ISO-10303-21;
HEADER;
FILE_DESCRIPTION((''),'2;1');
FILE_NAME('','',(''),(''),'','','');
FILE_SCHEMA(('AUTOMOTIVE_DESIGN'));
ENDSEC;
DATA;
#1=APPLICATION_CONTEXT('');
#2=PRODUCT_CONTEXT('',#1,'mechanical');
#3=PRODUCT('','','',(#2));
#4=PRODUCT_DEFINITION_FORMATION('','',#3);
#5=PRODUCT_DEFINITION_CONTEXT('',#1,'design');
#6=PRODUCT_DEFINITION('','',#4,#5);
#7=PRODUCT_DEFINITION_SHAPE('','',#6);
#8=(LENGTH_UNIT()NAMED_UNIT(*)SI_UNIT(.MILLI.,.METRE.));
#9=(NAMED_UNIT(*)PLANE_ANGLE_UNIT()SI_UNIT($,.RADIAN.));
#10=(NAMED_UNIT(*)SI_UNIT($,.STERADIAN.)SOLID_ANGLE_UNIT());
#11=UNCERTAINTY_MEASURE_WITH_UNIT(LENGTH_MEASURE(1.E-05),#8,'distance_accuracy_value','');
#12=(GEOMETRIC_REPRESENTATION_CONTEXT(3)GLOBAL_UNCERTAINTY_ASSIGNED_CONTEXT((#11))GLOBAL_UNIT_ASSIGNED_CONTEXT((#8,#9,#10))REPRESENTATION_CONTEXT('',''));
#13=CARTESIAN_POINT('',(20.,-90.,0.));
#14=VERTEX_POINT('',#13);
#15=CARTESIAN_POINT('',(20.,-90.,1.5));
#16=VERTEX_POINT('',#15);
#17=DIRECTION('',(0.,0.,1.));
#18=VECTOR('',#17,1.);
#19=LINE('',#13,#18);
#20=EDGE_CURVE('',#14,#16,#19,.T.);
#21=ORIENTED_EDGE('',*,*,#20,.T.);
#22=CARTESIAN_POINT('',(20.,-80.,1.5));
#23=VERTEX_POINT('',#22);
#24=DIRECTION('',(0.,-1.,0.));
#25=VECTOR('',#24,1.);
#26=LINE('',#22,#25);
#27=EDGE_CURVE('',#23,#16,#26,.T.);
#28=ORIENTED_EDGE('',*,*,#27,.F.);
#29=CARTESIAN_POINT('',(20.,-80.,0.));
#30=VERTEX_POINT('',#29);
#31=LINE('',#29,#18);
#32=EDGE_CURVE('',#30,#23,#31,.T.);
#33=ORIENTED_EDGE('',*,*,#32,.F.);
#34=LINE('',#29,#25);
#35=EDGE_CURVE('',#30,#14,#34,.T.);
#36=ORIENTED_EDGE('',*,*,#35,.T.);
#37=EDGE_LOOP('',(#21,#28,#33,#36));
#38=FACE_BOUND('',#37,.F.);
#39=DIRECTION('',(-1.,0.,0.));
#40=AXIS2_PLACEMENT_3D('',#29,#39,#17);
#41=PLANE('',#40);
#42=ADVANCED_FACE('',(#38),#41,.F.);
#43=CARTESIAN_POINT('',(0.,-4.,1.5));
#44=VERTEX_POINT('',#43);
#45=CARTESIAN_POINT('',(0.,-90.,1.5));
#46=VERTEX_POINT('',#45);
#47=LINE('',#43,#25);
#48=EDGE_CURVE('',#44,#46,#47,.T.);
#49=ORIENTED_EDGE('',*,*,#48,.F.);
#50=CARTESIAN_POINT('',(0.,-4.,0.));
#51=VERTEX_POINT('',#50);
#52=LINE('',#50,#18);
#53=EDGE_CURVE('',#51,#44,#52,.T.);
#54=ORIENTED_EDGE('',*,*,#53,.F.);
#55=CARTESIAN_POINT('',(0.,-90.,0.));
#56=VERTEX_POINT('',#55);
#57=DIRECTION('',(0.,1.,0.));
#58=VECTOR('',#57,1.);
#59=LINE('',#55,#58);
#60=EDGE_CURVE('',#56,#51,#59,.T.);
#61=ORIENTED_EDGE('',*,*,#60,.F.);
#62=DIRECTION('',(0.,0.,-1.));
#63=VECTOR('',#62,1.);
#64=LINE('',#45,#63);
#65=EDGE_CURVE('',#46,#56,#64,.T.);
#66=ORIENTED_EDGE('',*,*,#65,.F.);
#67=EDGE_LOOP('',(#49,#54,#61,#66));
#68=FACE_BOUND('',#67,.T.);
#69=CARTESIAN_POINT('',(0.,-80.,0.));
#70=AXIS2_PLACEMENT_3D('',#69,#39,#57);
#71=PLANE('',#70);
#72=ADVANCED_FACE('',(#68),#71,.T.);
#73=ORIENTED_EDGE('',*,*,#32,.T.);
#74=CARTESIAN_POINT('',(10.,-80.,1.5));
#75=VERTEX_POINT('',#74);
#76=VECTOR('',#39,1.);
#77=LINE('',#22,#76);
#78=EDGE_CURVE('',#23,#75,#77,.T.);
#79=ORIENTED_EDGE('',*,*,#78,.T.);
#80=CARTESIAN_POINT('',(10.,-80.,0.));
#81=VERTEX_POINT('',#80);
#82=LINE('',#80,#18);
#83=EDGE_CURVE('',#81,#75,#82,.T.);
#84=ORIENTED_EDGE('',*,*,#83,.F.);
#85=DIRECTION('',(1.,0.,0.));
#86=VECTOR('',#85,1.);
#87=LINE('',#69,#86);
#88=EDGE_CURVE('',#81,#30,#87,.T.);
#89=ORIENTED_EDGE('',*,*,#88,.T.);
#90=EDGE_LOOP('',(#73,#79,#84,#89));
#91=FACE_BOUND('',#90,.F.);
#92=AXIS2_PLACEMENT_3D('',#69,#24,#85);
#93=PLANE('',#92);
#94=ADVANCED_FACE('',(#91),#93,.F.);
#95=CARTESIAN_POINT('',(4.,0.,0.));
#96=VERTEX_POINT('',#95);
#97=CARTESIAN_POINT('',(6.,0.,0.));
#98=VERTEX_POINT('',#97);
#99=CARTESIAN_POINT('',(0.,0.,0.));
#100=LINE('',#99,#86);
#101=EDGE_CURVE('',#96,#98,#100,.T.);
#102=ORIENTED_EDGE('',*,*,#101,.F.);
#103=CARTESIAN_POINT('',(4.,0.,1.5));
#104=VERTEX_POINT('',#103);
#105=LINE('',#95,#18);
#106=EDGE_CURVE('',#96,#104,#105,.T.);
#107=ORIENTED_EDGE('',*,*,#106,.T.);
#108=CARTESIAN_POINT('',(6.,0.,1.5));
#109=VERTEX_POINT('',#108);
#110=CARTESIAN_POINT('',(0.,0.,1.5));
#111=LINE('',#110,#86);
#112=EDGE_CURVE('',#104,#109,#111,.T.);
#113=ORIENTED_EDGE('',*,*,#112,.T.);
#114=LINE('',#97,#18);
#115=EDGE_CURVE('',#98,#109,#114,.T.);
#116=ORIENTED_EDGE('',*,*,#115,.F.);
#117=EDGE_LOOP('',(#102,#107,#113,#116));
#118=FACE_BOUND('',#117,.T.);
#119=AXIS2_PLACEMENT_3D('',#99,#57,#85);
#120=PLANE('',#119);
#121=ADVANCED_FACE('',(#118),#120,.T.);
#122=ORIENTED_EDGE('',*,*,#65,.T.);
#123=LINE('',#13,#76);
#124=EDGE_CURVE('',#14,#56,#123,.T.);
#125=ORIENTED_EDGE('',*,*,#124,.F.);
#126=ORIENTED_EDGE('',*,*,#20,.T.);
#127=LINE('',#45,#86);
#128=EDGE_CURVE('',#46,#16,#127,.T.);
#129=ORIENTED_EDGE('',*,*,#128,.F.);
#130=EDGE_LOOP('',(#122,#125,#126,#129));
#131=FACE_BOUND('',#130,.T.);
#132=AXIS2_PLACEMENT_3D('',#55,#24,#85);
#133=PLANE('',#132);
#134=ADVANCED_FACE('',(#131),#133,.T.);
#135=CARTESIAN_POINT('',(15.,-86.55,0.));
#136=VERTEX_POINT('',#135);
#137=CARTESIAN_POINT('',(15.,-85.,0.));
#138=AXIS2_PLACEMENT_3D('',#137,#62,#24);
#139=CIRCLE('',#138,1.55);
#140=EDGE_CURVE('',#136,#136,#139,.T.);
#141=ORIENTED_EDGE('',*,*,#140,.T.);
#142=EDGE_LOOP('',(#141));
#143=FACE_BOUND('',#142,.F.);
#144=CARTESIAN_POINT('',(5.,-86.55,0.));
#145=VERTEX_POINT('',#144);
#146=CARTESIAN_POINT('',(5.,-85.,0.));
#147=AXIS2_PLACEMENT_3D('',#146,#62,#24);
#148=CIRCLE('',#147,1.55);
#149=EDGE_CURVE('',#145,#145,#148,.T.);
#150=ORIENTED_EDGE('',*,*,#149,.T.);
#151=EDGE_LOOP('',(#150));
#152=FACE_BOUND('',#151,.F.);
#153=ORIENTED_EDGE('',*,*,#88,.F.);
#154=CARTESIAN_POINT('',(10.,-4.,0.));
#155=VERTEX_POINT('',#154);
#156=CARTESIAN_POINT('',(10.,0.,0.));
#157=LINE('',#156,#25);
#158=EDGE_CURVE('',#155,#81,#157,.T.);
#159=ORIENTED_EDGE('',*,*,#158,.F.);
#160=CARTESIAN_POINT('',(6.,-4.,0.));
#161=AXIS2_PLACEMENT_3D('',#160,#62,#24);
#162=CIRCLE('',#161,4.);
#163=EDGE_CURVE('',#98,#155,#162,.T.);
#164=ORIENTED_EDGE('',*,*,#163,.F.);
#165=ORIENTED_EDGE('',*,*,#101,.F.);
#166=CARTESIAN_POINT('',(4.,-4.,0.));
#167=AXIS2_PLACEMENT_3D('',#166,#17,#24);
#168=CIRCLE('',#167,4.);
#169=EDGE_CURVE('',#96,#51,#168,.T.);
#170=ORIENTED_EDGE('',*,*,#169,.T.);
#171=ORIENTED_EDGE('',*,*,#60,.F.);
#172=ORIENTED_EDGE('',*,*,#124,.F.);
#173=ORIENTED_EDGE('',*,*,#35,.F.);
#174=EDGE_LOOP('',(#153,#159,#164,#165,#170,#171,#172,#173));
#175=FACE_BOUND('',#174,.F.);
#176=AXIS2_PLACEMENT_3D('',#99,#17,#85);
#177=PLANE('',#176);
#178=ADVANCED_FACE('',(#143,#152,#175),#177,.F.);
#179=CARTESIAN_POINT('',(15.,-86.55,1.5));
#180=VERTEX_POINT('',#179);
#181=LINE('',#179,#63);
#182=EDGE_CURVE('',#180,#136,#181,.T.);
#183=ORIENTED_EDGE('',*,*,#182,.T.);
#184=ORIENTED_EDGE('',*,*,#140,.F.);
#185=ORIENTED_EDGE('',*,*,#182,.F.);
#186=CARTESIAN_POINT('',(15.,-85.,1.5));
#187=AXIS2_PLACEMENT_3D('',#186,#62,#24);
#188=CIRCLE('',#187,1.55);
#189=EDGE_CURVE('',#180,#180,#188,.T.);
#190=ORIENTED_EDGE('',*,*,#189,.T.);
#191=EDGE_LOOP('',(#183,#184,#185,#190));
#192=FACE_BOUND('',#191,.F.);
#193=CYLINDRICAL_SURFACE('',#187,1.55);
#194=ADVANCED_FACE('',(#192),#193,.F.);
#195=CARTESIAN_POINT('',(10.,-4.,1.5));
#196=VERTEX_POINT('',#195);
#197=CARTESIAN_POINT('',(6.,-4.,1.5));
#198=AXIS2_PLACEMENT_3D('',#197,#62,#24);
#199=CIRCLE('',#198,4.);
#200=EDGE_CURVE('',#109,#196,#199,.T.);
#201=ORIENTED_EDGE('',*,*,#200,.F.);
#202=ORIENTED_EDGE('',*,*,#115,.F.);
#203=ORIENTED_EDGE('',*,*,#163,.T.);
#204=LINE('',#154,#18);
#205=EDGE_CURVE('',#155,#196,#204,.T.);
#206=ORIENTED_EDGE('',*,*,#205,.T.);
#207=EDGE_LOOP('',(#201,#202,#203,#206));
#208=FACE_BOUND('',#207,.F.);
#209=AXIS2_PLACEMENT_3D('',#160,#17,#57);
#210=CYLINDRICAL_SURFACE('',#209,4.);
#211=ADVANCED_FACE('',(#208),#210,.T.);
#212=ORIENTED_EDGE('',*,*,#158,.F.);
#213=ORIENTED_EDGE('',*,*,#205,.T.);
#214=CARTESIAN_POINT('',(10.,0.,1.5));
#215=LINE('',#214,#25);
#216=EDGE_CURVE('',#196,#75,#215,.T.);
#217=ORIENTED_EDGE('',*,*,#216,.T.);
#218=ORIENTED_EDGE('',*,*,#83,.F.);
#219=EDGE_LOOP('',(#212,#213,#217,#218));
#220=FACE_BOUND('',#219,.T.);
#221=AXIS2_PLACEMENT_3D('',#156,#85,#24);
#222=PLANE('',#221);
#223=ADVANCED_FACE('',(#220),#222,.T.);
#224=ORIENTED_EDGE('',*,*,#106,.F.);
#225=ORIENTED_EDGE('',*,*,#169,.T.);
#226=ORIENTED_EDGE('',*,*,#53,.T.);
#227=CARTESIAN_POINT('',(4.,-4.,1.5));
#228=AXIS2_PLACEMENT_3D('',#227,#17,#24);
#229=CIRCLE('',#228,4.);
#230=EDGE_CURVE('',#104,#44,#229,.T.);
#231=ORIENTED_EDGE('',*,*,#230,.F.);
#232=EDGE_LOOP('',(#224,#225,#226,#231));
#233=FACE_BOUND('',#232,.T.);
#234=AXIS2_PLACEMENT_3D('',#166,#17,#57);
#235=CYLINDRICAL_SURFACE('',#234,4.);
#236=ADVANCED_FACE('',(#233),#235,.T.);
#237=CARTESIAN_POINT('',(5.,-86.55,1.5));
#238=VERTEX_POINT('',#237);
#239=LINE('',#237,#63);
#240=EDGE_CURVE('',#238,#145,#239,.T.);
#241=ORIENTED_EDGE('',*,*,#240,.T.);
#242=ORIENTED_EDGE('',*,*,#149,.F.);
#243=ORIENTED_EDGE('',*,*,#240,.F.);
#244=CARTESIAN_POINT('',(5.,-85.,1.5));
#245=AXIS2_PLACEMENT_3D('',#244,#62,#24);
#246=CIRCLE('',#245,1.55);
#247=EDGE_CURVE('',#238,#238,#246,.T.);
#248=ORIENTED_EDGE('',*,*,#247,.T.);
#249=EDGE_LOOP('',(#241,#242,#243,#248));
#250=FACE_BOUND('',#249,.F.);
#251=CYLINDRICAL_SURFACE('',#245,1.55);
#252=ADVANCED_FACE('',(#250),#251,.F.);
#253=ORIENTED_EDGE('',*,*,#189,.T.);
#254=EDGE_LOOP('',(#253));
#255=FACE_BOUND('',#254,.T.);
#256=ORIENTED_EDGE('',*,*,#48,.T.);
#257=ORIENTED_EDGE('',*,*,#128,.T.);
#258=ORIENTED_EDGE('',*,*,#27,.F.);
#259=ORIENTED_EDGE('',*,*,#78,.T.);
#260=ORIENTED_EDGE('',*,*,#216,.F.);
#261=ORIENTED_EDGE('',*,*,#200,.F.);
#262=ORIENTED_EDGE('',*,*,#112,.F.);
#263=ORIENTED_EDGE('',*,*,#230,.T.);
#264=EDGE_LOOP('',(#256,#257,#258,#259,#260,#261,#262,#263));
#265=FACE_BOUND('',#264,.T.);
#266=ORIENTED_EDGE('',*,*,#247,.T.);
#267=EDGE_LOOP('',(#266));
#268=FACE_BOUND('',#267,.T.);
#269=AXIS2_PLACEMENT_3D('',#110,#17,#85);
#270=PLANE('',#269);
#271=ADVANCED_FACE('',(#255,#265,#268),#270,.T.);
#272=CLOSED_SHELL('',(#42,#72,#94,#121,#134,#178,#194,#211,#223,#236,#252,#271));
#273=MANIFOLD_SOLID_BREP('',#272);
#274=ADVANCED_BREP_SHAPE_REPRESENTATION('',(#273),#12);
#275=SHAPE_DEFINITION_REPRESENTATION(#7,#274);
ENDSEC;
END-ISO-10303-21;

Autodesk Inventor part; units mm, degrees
ref_plane "YZ Plane" through (0, 0, 0) normal (1, 0, 0) x (0, 1, 0)
ref_plane "XZ Plane" through (0, 0, 0) normal (0, 1, 0) x (-1, 0, 0)
ref_plane "XY Plane" through (0, 0, 0) normal (0, 0, 1) x (1, 0, 0)
sketch "スケッチ1" plane through (0, 0, 0) normal (0, 0, 1) x (1, 0, 0)
  line L0 (0, 0) -> (10, 0)
  line L1 (10, 0) -> (10, -80)
  line L2 (10, -80) -> (0, -80)
  line L3 (0, -80) -> (0, 0)
  dimension "d0" = 10
  dimension "d1" = 80
extrude "押し出し1" add sketch "スケッチ1" along normal blind 1.5
fillet "フィレット1" radius 4 2 edges at (10, 0, 0.75) (0, 0, 0.75)
sketch "スケッチ9" plane through (0, -80, 0) normal (0, -1, 0) x (1, 0, 0)
  line L0 (0, 0) -> (20, 0)
  line L1 (20, 0) -> (20, 1.5)
  line L2 (20, 1.5) -> (0, 1.5)
  line L3 (0, 1.5) -> (0, 0)
  line L4 (10, 0) -> (10, 1.5) projected
  line L5 (10, 0) -> (0, 0) projected
  dimension "d35" = 20
  dimension "d36" = 1.5
  dimension "d37" = 10
  dimension "d38" = 0
extrude "押し出し8" add sketch "スケッチ9" along normal blind 10
sketch "スケッチ10" plane through (0, 0, 1.5) normal (0, 0, 1) x (1, 0, 0)
  line L0 (20, -90) -> (0, -90) projected
  line L1 (0, -4) -> (0, -90) projected
  point P0 (0, 0)
  point P1 (5, -85)
  point P2 (15, -85)
  dimension "d41" = 10
  dimension "d42" = 5
  dimension "d43" = 5
hole "穴2" at (5, -85, 1.5) at (15, -85, 1.5) direction (0, 0, -1) diameter 3.1 end through all
properties part number "Fork 1 left ver2c" material "アルミニウム 5052 H32"
